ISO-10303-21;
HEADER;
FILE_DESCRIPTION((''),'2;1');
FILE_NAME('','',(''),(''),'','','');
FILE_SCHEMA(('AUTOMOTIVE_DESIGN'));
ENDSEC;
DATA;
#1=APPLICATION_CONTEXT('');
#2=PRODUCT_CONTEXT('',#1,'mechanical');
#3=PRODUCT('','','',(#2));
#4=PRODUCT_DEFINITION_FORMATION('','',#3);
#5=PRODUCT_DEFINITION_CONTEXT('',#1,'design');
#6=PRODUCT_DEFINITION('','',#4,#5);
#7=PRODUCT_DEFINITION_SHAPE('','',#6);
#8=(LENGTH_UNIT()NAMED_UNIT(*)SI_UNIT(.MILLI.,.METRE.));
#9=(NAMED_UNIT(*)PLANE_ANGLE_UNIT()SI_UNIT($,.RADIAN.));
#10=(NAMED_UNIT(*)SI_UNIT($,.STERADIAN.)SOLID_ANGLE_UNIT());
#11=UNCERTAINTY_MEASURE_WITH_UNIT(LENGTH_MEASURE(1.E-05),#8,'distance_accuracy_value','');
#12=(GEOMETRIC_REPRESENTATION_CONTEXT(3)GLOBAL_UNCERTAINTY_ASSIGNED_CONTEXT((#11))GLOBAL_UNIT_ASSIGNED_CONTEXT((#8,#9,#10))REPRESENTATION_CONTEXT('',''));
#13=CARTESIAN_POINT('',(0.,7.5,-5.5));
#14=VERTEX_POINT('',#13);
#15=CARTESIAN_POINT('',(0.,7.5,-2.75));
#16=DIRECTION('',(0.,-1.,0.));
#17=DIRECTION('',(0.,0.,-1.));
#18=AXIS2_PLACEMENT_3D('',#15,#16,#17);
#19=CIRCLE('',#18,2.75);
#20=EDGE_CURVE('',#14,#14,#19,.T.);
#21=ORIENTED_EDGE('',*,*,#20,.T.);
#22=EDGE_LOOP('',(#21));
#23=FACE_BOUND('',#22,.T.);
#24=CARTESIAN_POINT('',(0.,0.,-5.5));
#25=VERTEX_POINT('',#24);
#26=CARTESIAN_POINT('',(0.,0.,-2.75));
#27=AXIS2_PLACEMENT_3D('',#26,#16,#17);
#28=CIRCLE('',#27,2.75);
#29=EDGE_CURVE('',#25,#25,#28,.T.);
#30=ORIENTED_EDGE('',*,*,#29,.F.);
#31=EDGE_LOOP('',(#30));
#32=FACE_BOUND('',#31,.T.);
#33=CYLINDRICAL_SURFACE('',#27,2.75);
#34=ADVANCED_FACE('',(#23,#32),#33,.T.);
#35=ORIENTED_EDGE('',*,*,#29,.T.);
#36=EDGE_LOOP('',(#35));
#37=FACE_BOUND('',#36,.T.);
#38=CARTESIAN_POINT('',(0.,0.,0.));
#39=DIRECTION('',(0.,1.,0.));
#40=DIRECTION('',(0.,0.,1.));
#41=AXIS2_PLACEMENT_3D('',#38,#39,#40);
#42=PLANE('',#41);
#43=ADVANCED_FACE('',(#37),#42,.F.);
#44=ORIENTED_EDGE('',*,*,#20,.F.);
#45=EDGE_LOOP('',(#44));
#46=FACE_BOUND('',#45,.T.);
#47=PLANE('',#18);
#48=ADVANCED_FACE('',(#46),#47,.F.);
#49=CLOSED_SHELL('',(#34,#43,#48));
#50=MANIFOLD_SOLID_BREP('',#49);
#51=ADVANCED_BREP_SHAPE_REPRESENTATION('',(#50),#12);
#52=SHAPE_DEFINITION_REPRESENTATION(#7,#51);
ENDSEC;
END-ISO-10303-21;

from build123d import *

# Parameters (mm, degrees)
ESBO_O2_W = 2.75
ESBO_O2_H = 7.5


with BuildPart() as part:
    # Esboço2 → Revolução3 (revolve)
    with BuildSketch(Plane(origin=(0, 0, 0), x_dir=(0, 0, -1), z_dir=(1, 0, 0)), mode=Mode.PRIVATE) as revolu_o3_sk:
        with Locations((1.375, 3.75)):
            Rectangle(ESBO_O2_W, ESBO_O2_H)
    revolve(revolu_o3_sk.sketch.rotate(Axis((0, 0, -2.75), (0, 1, 0)), 180), axis=Axis((0, 0, -2.75), (0, 1, 0)))


solid = part.part
